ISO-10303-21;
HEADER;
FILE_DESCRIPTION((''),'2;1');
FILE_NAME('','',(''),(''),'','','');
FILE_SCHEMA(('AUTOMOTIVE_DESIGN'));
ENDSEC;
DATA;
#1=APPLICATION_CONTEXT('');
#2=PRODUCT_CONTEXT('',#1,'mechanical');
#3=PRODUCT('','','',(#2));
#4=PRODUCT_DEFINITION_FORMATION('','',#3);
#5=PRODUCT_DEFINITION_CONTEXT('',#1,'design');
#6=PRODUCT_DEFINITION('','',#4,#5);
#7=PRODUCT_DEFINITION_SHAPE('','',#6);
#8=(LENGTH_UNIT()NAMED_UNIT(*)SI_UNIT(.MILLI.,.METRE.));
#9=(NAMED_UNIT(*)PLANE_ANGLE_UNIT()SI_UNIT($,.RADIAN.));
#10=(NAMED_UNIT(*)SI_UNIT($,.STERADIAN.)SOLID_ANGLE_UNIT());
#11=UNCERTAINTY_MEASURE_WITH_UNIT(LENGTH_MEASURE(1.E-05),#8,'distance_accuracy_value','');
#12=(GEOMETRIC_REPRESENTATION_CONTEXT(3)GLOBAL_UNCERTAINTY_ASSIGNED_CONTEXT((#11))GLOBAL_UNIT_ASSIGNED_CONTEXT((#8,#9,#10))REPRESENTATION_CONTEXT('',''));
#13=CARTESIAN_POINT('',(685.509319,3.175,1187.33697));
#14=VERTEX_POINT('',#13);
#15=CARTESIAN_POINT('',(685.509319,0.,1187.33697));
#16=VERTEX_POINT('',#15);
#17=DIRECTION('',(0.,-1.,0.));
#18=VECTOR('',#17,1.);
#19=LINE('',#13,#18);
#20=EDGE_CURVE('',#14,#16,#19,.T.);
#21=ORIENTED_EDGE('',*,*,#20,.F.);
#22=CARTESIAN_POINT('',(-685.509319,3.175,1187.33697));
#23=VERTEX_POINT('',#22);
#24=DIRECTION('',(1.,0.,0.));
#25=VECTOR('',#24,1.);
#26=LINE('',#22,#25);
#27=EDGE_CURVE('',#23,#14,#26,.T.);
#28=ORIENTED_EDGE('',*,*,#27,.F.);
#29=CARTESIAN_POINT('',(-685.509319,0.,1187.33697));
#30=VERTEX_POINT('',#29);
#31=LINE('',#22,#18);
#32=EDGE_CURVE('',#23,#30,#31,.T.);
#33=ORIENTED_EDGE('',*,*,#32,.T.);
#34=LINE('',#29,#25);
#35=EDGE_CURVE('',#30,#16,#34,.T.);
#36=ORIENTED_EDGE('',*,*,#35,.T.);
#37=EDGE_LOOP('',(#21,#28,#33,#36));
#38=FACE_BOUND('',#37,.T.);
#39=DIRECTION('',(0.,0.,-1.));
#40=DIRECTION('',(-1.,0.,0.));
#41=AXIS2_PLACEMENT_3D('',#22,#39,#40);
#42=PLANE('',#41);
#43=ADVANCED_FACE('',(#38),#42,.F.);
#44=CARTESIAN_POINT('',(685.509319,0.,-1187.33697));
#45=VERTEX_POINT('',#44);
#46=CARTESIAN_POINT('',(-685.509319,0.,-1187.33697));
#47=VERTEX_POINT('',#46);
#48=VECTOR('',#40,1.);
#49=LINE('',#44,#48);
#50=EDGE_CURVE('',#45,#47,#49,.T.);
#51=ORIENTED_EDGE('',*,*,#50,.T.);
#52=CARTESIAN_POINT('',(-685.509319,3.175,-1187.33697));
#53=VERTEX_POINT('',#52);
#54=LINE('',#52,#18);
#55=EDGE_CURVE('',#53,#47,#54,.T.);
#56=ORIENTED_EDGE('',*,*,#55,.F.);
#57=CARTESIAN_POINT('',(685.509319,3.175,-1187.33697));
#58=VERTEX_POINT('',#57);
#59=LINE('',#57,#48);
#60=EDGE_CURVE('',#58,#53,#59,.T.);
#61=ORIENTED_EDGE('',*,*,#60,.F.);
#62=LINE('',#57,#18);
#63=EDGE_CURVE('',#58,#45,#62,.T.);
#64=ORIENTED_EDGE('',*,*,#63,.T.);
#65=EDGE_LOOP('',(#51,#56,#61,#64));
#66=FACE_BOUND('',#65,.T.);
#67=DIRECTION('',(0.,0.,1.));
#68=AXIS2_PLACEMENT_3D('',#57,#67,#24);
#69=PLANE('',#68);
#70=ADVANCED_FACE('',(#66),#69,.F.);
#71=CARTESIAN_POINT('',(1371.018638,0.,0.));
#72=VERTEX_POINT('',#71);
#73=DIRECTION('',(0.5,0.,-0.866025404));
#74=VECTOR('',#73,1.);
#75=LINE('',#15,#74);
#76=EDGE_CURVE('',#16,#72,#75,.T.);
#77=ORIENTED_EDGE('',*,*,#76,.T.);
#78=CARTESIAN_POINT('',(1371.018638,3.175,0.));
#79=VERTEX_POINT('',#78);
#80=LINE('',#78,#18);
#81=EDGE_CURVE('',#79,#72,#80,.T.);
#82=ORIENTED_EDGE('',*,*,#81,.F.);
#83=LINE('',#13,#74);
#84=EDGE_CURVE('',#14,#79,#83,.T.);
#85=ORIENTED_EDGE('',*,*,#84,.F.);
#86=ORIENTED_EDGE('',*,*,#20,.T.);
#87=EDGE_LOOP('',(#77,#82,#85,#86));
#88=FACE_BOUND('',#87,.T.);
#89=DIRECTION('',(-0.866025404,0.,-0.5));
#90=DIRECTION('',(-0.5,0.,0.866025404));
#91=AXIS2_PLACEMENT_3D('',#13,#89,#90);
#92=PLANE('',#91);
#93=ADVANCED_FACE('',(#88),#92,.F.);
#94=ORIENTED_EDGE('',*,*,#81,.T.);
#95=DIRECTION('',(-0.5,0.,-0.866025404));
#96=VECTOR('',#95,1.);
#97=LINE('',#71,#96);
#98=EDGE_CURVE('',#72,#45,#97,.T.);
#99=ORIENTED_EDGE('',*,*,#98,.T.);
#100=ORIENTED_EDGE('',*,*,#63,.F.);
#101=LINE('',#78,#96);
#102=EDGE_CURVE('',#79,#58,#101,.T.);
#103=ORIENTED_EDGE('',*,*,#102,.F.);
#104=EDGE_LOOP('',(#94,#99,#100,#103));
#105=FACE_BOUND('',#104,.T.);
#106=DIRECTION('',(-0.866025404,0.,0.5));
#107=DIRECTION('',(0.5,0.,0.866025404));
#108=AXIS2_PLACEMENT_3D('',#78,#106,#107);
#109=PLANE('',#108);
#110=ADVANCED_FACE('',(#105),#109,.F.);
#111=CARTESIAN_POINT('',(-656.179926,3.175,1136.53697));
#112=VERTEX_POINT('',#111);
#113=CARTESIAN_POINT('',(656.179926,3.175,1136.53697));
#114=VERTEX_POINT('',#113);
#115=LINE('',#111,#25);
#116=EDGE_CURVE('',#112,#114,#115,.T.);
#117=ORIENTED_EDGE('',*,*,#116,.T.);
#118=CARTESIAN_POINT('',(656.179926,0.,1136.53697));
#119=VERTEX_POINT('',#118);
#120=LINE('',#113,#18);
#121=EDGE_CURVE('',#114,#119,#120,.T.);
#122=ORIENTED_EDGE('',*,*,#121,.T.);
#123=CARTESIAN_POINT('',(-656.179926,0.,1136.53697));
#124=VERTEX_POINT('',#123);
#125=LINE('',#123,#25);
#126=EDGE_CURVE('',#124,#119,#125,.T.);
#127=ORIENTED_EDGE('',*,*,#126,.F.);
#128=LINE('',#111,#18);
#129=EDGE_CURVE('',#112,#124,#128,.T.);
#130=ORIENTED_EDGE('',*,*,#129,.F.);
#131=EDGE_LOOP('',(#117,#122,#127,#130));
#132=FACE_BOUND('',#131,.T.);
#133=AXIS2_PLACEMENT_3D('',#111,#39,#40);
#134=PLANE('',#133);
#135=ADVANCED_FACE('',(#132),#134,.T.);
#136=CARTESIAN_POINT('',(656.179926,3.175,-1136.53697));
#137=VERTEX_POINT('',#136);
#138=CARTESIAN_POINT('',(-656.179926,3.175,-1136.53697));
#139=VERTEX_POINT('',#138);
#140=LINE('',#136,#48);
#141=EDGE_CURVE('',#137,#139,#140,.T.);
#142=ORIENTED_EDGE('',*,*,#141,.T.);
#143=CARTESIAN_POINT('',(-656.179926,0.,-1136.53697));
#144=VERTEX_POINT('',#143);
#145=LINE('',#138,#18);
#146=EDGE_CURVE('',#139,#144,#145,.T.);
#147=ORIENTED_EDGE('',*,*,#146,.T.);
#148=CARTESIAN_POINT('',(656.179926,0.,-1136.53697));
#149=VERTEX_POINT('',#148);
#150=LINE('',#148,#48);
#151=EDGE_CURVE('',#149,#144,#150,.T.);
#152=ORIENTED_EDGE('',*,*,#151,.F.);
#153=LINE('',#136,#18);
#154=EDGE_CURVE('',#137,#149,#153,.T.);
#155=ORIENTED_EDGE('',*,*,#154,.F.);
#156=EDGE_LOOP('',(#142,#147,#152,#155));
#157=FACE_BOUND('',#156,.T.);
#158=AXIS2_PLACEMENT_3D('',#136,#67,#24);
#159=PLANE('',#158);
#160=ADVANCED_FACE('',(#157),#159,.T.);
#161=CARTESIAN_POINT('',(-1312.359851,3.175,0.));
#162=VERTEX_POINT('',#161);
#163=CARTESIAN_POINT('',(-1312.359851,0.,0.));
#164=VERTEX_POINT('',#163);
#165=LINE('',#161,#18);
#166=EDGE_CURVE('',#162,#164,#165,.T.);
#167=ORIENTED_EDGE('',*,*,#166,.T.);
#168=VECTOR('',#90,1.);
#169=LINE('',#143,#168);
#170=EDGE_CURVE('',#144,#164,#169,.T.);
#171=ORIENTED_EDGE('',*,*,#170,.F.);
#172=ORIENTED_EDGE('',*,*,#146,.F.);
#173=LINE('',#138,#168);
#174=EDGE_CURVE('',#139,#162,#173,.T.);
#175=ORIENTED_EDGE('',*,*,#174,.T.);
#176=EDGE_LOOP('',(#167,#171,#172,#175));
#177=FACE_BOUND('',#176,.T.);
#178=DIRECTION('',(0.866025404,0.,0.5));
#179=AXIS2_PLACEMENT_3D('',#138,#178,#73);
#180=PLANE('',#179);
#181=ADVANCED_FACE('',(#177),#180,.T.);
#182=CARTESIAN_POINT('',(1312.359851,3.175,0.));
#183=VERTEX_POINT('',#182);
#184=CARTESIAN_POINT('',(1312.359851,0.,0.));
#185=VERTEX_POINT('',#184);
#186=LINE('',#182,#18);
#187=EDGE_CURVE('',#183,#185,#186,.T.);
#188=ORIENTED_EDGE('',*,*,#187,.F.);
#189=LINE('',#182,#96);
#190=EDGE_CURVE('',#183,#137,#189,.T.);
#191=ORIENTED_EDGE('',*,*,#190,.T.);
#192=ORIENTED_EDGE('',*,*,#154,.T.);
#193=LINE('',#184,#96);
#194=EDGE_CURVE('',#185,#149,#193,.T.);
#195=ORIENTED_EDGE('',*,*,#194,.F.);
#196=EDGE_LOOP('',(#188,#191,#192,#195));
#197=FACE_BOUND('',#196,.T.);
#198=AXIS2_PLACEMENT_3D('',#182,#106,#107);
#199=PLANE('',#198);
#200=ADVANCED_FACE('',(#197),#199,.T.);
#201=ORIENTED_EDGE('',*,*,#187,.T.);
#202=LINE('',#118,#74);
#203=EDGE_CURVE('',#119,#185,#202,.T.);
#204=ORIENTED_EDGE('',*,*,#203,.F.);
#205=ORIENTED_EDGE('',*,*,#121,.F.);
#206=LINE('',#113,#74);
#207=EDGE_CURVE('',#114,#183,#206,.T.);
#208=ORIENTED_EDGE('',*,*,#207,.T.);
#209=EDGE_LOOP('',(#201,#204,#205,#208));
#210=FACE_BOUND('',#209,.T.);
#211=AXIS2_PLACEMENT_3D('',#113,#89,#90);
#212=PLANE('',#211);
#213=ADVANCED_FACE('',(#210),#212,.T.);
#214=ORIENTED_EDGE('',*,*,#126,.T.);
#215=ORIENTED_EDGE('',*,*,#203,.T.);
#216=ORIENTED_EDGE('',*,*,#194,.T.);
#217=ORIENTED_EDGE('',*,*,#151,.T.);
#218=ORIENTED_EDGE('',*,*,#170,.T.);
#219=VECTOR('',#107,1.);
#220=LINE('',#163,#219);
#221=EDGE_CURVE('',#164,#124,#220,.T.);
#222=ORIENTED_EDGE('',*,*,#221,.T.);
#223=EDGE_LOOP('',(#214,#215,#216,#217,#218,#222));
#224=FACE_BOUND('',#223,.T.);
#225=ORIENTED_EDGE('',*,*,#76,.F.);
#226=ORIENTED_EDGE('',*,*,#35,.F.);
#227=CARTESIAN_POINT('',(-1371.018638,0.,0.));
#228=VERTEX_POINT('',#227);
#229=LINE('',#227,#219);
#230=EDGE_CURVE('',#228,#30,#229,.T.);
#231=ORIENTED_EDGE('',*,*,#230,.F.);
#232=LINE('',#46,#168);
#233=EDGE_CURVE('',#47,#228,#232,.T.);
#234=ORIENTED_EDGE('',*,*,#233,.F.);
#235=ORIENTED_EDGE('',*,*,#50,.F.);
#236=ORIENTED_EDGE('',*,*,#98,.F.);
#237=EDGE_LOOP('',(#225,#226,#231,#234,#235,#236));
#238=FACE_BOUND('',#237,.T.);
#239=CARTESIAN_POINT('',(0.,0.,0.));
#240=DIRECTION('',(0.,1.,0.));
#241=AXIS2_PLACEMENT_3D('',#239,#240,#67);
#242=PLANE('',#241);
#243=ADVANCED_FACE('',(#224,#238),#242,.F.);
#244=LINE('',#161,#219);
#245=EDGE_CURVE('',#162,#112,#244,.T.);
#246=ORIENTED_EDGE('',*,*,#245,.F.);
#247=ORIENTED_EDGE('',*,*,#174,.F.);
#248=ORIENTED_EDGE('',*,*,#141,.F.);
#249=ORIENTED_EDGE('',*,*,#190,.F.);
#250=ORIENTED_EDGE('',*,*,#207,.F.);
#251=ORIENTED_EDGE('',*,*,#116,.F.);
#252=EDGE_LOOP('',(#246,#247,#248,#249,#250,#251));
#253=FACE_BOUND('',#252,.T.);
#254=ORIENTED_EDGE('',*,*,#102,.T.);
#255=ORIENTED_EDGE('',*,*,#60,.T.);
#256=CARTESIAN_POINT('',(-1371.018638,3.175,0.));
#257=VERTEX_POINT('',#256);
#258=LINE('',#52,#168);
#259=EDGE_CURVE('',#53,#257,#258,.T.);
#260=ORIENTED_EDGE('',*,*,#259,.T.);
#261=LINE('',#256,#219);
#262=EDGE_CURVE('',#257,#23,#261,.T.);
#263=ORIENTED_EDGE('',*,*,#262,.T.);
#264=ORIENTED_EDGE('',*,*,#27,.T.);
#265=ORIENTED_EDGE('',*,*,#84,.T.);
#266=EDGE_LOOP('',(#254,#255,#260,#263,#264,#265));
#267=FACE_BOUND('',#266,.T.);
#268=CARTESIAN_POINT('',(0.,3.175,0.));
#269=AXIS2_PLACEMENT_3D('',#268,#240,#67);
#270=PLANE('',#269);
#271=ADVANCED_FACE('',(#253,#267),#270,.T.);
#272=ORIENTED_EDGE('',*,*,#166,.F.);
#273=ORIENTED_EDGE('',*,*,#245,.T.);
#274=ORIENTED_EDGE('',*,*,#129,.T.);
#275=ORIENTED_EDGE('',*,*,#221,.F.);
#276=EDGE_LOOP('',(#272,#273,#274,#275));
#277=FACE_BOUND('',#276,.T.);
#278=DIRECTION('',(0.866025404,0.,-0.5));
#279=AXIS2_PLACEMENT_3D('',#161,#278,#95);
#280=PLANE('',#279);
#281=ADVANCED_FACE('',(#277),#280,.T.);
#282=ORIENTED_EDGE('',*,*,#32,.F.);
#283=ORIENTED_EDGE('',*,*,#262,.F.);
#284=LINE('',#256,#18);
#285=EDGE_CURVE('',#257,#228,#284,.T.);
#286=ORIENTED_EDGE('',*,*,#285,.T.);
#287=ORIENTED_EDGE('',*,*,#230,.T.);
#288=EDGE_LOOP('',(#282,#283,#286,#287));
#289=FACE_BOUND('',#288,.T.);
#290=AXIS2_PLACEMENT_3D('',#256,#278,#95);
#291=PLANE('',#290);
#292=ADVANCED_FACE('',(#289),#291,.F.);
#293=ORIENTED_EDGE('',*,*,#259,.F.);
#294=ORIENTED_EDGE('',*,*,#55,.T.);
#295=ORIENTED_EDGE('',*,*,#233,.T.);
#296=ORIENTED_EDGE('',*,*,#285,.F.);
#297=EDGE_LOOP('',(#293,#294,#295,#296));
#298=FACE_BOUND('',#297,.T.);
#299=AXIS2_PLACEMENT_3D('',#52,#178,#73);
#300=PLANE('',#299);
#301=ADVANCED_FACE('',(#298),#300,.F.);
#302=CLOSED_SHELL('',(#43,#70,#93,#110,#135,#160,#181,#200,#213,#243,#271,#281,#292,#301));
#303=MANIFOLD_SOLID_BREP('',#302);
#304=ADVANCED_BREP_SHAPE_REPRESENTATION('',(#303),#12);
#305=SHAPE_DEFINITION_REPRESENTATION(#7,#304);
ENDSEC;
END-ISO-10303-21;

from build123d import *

# Parameters (mm, degrees)
BOSS_EXTRUDE1_DEPTH = 3.175


with BuildPart() as part:
    # Sketch1 → Boss-Extrude1 (new body)
    with BuildSketch(Plane(origin=(0, 0, 0), x_dir=(1, 0, 0), z_dir=(0, 1, 0))):
        Polygon((-685.509319248, 1187.33697), (-1371.018638497, 0), (-685.509319248, -1187.33697), (685.509319248, -1187.33697), (1371.018638497, 0), (685.509319248, 1187.33697), align=None)
        Polygon((1312.359851147, 0), (656.179925573, 1136.53697), (-656.179925573, 1136.53697), (-1312.359851147, 0), (-656.179925573, -1136.53697), (656.179925573, -1136.53697), align=None, mode=Mode.SUBTRACT)
    extrude(amount=BOSS_EXTRUDE1_DEPTH)


solid = part.part
